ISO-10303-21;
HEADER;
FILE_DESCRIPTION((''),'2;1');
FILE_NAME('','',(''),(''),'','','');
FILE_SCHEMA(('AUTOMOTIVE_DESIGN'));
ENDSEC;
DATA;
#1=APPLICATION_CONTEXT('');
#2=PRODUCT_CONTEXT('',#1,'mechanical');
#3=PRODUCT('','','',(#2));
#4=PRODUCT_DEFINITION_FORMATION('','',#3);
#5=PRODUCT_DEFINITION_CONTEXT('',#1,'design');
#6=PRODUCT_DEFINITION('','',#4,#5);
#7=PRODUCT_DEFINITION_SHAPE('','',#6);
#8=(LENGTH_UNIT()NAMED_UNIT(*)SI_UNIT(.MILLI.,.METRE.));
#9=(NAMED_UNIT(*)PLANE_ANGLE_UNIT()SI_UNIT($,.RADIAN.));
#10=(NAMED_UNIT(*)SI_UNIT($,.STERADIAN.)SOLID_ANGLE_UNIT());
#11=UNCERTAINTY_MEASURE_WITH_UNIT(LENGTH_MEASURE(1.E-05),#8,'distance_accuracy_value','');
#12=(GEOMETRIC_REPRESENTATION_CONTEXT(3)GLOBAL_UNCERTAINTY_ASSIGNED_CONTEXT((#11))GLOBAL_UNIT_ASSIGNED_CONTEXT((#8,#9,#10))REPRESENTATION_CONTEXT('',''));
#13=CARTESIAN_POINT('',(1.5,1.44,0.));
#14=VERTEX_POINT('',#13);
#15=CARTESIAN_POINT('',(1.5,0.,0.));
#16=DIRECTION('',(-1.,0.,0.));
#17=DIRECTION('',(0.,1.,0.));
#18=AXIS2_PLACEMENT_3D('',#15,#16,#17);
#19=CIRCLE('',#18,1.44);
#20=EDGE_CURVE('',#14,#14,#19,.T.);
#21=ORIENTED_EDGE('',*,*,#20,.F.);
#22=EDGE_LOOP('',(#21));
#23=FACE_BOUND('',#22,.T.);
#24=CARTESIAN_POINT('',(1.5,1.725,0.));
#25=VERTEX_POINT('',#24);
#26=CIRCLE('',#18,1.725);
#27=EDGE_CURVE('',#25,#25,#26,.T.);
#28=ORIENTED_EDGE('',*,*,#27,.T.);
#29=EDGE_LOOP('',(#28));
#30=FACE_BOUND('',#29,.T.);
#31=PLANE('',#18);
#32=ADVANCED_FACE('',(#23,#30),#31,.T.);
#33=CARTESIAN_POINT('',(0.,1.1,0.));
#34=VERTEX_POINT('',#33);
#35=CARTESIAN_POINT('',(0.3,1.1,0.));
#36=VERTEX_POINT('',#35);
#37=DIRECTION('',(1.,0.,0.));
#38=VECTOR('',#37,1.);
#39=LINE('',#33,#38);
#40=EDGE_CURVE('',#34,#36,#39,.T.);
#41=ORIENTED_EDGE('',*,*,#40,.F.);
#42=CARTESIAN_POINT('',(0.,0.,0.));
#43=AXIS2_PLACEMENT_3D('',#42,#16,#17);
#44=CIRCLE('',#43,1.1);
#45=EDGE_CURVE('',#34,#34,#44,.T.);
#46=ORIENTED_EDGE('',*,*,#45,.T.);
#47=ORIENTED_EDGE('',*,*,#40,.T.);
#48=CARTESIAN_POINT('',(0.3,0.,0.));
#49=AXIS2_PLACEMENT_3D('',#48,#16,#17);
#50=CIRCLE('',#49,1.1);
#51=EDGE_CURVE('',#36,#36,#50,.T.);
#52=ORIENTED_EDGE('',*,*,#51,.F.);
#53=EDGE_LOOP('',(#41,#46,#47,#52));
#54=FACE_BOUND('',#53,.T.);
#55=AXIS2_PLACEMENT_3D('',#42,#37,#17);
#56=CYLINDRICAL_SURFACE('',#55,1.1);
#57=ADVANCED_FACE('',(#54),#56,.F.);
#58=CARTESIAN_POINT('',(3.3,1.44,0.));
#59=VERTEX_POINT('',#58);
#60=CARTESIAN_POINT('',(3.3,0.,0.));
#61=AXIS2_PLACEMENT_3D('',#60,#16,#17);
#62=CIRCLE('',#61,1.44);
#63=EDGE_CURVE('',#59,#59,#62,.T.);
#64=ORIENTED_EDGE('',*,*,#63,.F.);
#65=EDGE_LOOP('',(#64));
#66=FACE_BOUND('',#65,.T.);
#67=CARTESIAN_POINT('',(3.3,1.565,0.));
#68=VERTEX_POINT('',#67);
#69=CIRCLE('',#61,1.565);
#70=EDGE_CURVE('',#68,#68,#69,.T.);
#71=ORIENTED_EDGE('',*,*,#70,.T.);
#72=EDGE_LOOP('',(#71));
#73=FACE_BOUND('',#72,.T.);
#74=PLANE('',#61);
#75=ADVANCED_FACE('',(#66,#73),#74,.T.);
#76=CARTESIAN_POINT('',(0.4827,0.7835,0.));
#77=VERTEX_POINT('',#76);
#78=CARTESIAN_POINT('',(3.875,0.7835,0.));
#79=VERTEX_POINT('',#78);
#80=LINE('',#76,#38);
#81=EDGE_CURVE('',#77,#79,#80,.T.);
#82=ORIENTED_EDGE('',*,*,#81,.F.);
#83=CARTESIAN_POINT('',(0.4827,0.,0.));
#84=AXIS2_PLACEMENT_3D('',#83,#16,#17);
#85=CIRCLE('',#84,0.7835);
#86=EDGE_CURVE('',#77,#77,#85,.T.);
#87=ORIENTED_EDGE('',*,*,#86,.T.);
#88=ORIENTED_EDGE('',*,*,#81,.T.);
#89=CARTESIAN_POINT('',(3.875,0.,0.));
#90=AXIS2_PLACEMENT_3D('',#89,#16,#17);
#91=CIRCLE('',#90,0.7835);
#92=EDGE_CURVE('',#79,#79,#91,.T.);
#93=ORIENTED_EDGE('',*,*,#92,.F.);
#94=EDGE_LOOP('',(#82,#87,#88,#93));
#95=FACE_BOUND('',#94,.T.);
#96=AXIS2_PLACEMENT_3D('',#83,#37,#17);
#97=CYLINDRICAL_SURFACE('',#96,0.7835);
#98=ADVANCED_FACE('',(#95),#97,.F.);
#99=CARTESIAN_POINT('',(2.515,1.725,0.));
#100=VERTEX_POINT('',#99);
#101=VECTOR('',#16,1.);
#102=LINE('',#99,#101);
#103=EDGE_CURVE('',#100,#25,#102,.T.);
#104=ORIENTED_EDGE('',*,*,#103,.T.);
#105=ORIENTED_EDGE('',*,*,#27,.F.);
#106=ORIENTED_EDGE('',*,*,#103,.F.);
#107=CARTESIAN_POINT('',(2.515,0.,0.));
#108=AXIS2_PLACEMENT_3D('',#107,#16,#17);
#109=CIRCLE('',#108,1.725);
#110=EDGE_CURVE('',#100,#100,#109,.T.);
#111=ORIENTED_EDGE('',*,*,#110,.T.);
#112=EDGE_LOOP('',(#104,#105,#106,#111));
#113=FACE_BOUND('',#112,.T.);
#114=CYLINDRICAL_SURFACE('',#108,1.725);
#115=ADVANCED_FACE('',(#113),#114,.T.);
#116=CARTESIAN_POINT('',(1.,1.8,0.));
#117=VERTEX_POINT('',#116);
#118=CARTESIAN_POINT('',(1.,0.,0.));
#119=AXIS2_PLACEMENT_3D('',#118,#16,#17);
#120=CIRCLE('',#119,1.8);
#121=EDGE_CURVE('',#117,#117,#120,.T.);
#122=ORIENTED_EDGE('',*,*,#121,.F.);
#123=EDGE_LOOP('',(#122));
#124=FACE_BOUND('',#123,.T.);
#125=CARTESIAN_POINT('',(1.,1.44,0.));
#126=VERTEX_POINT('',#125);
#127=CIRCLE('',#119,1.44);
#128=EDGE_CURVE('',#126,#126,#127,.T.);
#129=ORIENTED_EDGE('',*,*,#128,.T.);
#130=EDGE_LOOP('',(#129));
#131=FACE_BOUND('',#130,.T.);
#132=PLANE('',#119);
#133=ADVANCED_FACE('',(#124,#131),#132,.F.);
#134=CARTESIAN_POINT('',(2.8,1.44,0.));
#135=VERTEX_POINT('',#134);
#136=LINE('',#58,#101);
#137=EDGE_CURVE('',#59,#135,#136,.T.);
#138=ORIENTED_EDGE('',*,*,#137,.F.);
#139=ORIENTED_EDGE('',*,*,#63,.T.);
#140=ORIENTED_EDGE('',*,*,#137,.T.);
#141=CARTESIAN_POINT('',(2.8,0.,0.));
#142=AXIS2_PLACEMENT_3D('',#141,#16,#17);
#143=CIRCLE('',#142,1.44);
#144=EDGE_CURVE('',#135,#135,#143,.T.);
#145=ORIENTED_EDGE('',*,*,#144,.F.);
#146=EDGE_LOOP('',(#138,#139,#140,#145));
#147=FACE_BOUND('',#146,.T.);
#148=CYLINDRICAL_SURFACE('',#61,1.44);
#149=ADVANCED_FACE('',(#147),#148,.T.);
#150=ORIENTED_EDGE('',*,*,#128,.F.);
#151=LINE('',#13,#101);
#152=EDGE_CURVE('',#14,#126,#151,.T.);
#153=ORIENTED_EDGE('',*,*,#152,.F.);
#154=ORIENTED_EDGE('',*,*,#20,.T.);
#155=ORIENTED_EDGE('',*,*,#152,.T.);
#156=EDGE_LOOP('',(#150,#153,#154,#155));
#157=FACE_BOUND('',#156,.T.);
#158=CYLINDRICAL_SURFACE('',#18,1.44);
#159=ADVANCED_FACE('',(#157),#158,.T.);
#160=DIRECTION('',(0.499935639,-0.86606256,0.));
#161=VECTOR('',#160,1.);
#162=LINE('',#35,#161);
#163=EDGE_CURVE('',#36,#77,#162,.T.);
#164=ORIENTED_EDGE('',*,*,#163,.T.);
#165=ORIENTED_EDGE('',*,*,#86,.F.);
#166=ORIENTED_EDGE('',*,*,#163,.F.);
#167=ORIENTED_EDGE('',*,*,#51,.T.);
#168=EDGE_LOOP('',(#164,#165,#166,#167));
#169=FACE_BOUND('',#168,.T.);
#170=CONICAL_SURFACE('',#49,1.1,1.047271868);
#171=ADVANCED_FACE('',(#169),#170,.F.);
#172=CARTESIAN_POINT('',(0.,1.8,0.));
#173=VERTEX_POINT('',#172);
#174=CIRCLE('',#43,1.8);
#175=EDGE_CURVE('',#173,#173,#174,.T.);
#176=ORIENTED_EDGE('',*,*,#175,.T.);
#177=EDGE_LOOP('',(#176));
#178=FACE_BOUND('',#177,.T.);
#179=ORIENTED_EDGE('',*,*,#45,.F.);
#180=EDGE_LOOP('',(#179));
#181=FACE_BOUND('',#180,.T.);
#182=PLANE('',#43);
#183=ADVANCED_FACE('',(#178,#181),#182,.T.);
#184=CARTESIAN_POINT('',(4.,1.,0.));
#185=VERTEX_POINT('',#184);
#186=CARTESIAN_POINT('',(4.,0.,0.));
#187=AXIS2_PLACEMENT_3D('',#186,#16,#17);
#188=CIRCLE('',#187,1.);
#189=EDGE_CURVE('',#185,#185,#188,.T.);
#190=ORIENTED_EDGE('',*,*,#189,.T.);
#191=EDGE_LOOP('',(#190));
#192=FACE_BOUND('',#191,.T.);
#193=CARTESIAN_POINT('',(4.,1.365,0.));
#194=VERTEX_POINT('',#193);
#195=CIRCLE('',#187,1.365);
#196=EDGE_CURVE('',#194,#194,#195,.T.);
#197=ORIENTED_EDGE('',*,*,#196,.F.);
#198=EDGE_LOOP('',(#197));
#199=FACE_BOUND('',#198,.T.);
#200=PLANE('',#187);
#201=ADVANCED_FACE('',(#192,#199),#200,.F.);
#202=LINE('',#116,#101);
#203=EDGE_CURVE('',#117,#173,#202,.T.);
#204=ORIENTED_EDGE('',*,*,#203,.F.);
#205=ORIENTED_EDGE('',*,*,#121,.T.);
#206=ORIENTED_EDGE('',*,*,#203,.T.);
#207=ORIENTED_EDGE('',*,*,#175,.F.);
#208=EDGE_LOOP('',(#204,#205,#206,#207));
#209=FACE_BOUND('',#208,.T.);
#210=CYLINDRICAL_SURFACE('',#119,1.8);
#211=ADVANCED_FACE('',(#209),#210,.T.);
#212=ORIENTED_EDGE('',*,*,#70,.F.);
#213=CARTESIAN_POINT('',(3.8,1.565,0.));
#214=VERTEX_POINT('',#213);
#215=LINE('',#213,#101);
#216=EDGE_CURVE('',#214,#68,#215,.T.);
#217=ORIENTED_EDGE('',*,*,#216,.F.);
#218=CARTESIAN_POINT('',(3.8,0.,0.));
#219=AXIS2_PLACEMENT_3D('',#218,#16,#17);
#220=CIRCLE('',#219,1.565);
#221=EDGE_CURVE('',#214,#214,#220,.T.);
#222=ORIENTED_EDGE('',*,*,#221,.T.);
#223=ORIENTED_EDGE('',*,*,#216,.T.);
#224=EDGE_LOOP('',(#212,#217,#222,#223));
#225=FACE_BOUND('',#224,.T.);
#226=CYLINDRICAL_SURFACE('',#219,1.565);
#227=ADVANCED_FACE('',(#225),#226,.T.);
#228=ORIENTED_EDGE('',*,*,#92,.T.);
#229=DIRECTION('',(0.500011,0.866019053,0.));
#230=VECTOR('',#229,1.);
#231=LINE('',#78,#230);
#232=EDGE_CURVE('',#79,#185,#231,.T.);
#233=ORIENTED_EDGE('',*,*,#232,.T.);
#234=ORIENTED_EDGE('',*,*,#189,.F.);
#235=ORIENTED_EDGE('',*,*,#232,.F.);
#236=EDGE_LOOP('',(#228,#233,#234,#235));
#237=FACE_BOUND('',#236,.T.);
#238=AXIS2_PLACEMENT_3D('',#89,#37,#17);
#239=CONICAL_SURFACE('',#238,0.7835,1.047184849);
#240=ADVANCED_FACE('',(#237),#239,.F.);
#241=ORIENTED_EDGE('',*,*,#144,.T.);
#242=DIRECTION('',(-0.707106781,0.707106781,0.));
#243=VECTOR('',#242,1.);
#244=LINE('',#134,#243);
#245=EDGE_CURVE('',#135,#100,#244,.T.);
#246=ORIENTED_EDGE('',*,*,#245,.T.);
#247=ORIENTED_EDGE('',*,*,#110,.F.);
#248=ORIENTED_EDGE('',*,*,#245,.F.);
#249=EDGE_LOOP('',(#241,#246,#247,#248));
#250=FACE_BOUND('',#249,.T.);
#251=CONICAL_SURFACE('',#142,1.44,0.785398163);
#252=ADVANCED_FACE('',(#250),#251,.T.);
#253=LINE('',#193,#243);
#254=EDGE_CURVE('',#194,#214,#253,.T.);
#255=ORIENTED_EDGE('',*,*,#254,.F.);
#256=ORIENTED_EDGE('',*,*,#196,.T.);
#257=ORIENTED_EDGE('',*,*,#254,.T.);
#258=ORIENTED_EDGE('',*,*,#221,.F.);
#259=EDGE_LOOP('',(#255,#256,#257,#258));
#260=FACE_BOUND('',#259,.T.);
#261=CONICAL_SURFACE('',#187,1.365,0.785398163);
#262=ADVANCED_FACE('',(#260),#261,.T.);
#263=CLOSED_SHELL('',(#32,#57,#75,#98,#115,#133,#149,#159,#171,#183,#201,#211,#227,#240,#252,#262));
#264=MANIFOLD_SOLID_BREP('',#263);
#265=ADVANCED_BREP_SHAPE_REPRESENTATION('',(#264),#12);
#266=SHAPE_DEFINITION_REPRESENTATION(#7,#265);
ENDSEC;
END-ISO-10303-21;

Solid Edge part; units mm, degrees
sketch "Sketch1" plane through (0, 0, 0) normal (0, 0, 1) x (1, 0, 0)
  line L0 (0, 1.8) -> (0, 1.1)
  line L1 (0, 1.1) -> (0.3, 1.1)
  line L2 (0.3, 1.1) -> (0.4827, 0.7835)
  line L3 (0.4827, 0.7835) -> (3.875, 0.7835)
  line L4 (3.875, 0.7835) -> (4, 1)
  line L5 (4, 1) -> (4, 1.365)
  line L6 (4, 1.365) -> (3.8, 1.565)
  line L7 (3.8, 1.565) -> (3.3, 1.565)
  line L8 (3.3, 1.565) -> (3.3, 1.44)
  line L9 (3.3, 1.44) -> (2.8, 1.44)
  line L10 (2.8, 1.44) -> (2.515, 1.725)
  line L11 (2.515, 1.725) -> (1.5, 1.725)
  line L12 (1.5, 1.725) -> (1.5, 1.44)
  line L13 (1.5, 1.44) -> (1, 1.44)
  line L14 (1, 1.44) -> (1, 1.8)
  line L15 (1, 1.8) -> (0, 1.8)
revolve "RevolvedProtrusion1" add sketch "Sketch1" angle 360 about axis through (4, 0, 0) along (-1, 0, 0)
cosmetic_thread "Thread1" size "M2"
properties part number "KerbKonus 860000020800"
